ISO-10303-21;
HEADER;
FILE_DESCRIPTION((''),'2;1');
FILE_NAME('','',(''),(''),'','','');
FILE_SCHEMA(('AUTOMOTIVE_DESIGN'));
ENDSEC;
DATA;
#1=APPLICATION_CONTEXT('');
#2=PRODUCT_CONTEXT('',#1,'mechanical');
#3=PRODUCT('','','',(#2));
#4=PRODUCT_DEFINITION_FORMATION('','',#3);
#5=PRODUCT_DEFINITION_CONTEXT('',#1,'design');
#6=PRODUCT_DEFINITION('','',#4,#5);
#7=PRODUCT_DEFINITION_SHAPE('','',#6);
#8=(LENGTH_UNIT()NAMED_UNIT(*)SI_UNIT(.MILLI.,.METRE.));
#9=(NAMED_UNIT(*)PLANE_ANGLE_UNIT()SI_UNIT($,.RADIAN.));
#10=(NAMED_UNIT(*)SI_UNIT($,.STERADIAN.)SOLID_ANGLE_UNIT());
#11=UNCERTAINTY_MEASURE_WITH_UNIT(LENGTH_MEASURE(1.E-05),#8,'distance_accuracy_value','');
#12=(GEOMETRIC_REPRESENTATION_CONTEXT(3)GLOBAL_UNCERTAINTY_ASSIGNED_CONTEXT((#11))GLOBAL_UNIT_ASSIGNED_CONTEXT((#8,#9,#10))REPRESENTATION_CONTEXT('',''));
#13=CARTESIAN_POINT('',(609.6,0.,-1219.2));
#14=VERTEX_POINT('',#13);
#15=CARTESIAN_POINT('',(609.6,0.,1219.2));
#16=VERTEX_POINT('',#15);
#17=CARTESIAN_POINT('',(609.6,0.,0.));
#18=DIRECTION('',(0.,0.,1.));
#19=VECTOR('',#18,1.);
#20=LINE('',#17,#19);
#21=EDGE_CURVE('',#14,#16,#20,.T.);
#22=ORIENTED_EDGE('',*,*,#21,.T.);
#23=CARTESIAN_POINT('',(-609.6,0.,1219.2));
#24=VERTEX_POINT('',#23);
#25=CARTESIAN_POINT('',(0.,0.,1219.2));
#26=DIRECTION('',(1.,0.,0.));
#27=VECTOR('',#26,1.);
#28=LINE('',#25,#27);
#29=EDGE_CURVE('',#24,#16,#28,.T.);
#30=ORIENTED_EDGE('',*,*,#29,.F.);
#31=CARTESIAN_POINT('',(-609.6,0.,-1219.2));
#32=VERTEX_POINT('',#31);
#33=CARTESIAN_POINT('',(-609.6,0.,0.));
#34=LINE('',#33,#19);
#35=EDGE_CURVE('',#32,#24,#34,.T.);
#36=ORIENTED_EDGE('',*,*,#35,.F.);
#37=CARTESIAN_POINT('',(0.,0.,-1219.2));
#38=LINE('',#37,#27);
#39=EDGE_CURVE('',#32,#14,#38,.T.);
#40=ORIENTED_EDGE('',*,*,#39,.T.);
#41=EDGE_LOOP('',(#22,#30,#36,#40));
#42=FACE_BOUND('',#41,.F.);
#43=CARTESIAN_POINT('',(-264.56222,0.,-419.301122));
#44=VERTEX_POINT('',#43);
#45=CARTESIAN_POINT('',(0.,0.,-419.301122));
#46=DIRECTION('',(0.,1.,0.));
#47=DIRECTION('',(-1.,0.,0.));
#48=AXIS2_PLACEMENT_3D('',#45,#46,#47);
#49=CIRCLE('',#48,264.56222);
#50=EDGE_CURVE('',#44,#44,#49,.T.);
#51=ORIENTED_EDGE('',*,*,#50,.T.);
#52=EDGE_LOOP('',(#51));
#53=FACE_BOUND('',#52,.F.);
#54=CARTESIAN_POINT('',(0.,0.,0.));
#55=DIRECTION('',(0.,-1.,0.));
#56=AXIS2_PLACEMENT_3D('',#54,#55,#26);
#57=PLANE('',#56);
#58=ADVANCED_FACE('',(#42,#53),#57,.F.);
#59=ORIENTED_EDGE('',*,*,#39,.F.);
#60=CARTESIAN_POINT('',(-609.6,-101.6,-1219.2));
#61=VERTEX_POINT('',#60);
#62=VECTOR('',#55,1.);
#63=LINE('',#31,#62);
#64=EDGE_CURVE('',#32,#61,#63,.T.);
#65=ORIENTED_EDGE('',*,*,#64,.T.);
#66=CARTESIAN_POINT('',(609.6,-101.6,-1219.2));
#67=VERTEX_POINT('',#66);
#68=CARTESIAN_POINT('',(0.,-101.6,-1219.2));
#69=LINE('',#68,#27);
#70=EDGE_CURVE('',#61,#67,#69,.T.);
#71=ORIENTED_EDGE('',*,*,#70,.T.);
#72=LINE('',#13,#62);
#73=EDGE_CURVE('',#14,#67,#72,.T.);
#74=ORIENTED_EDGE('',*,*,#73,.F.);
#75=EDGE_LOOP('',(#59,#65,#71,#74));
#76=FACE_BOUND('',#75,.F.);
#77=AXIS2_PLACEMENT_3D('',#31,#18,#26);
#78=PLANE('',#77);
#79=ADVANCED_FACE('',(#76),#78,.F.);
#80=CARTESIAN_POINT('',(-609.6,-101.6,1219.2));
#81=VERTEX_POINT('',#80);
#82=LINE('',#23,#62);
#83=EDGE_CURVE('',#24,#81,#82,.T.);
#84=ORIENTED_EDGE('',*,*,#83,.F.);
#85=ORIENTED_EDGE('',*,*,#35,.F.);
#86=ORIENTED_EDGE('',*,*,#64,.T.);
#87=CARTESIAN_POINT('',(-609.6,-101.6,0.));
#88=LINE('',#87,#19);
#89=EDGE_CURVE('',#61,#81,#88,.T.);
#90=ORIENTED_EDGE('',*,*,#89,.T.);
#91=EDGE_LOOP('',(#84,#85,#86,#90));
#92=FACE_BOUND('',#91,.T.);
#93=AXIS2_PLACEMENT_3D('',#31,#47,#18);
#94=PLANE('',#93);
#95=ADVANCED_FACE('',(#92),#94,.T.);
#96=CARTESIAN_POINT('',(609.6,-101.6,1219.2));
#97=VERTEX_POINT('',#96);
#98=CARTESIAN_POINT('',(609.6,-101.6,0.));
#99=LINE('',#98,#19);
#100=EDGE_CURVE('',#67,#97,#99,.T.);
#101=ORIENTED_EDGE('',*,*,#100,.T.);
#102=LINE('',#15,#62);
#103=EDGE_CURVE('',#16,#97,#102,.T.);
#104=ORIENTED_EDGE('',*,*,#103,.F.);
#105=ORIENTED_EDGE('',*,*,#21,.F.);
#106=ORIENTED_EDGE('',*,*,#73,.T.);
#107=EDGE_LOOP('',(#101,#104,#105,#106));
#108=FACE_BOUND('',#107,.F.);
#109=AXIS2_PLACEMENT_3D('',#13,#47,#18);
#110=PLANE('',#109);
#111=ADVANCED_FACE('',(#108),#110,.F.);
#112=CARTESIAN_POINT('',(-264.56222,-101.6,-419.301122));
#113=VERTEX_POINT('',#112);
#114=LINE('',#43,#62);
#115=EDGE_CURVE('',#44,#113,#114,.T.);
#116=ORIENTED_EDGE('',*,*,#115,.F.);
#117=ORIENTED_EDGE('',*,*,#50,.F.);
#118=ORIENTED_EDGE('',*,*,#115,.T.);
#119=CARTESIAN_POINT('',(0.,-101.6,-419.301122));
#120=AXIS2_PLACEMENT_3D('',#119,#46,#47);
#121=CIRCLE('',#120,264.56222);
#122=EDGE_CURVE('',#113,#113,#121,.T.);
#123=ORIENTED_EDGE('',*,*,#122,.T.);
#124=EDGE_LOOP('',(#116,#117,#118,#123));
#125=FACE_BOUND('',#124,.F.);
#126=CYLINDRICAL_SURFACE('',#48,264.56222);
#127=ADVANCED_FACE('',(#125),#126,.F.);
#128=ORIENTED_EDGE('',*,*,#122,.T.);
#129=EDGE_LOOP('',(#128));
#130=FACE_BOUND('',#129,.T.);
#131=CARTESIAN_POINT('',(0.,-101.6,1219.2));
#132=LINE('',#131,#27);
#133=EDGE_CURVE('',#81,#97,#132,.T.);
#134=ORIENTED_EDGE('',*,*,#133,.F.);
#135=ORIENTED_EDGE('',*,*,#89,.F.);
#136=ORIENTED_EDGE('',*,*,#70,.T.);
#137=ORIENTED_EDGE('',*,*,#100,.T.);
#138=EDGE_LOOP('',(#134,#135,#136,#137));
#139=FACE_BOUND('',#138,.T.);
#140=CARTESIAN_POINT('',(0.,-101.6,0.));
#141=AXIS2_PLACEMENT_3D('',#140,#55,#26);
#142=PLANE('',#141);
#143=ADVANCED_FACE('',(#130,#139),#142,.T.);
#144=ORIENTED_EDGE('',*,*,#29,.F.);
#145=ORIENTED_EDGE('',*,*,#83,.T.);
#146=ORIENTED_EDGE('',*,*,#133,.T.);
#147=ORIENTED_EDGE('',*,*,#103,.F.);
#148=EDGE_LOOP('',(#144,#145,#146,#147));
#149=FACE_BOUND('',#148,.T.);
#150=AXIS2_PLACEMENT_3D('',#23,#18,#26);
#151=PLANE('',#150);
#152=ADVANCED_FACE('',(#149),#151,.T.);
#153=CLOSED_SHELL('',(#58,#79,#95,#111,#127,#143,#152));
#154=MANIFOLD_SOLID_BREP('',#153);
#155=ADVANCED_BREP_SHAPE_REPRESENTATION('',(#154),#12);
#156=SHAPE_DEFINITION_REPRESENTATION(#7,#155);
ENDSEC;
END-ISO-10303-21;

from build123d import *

# Parameters (mm, degrees)
F0_W     = 1219.2
F0_H     = 2438.4
F1_DEPTH = 101.6
F2_R     = 264.56222
F3_DEPTH = 101.601


with BuildPart() as f1:
    # F0 (on Front) → F1 (new body)
    with BuildSketch(Plane.XZ):
        Rectangle(F0_W, F0_H)
    extrude(amount=F1_DEPTH)

    # F2 (on face) → F3 (cut, through all)
    with BuildSketch(Plane(origin=(0, 0, 0), x_dir=(-1, 0, 0), z_dir=(0, 1, 0))):
        with Locations((0, -419.301122)):
            Circle(F2_R)
    extrude(amount=-F3_DEPTH, mode=Mode.SUBTRACT)


solid = f1.part
